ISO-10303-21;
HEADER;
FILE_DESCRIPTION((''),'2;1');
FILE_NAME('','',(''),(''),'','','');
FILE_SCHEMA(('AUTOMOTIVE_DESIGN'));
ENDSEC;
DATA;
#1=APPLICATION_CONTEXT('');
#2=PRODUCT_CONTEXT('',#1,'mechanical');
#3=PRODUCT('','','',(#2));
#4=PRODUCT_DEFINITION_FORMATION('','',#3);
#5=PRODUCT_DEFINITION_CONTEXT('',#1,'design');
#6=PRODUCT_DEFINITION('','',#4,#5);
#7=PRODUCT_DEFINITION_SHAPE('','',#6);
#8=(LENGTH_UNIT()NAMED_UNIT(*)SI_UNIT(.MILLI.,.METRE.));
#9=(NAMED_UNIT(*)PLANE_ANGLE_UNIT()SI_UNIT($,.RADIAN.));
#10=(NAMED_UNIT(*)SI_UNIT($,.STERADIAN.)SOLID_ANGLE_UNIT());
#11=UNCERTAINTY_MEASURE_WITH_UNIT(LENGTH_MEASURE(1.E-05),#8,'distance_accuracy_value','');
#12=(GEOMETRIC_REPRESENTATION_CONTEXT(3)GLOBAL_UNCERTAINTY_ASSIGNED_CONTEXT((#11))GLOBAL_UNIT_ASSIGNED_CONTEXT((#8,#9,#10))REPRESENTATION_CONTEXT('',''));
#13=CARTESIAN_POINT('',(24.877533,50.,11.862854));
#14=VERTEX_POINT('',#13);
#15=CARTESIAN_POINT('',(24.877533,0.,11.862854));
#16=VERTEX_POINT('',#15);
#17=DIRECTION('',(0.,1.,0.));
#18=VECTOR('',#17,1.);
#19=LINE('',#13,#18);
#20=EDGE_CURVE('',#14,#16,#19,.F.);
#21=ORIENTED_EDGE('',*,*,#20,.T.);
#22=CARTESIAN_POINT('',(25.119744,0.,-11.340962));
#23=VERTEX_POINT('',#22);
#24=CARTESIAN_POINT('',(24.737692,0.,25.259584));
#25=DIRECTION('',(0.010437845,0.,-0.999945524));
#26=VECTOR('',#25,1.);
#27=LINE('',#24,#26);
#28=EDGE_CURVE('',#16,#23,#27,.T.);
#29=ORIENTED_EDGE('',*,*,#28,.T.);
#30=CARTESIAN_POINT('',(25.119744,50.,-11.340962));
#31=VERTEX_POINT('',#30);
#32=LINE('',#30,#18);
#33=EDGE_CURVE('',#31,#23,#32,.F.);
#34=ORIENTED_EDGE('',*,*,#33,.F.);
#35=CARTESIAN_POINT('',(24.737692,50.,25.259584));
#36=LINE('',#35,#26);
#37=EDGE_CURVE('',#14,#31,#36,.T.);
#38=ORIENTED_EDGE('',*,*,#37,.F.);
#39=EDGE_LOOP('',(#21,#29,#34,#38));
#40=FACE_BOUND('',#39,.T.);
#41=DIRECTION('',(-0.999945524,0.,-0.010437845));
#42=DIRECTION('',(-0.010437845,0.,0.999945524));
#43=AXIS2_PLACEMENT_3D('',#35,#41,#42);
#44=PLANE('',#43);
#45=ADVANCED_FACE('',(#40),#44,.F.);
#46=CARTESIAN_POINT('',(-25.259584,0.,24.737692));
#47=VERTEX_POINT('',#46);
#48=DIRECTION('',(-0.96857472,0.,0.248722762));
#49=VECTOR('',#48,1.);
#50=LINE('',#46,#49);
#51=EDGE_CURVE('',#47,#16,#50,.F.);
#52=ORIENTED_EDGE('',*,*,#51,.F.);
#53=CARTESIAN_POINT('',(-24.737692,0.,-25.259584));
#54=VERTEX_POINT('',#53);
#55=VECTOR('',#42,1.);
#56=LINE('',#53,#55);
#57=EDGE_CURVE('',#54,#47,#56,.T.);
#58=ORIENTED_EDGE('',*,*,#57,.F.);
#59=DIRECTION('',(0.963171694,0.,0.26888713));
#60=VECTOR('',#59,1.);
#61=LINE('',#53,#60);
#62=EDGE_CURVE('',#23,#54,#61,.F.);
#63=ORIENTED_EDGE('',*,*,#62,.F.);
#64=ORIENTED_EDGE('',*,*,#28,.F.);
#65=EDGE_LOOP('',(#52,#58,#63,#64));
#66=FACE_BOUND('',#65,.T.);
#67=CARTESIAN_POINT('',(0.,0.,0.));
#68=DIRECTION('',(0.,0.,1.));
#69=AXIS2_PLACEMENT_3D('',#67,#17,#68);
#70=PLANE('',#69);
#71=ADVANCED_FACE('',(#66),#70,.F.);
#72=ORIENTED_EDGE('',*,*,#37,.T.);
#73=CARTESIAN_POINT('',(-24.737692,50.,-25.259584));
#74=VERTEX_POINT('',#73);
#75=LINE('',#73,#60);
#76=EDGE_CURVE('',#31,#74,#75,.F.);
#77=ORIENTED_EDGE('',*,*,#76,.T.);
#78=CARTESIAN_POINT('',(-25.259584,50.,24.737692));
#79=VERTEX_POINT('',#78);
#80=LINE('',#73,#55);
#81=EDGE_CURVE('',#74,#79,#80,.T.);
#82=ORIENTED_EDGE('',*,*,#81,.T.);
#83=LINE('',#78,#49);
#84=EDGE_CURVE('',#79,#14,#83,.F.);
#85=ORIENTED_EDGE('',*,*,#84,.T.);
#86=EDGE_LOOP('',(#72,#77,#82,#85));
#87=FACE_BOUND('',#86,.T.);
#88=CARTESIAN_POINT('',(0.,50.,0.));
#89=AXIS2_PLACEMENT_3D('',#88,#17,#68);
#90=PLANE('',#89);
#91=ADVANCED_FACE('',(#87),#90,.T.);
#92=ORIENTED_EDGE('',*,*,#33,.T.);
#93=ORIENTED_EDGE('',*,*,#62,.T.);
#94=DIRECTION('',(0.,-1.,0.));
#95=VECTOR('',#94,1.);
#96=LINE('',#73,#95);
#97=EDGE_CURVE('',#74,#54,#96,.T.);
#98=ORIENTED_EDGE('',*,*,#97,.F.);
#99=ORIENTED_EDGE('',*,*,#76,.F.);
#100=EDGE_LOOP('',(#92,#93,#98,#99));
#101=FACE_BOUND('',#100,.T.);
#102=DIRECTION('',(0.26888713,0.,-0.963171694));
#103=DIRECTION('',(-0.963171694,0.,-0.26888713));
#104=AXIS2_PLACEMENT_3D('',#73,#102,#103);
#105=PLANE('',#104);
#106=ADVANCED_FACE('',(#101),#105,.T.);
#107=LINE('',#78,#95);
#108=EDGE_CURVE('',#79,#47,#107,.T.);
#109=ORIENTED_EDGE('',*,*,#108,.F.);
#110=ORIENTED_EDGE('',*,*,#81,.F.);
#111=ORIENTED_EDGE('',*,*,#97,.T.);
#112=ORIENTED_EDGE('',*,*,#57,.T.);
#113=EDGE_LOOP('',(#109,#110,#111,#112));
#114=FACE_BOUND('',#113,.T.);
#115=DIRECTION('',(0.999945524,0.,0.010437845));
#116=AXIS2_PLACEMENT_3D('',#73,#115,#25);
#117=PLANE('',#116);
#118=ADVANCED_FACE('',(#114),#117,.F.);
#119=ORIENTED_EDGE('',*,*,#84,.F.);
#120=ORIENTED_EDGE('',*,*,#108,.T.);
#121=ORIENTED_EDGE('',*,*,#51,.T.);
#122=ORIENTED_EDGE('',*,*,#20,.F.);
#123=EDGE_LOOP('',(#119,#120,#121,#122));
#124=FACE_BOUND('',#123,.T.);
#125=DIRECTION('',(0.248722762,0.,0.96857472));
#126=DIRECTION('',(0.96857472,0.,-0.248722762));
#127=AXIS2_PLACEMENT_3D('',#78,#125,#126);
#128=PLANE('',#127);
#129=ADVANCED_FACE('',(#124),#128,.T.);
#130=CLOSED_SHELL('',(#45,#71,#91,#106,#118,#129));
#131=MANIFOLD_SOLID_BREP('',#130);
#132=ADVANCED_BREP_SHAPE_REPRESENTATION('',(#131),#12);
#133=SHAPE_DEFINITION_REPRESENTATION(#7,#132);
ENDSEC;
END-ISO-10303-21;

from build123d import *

# Parameters (mm, degrees)
BOSS_EXTRU_1_DEPTH = 50
D_POUILLE7_ANGLE   = 15
D_POUILLE8_ANGLE   = -15


with BuildPart() as part:
    # Esquisse1 → Boss.-Extru.1 (new body)
    with BuildSketch(Plane(origin=(0, 0, 0), x_dir=(1, 0, 0), z_dir=(0, 1, 0))):
        Polygon((25.259584223, 24.737691987), (-24.737691987, 25.259584223), (-25.259584223, -24.737691987), (24.737691987, -25.259584223), align=None)
    extrude(amount=BOSS_EXTRU_1_DEPTH)

    # Dépouille7
    d_pouille7_faces = [part.faces().sort_by_distance(p)[0] for p in [
        (0.260946118, 25, -24.998638105),
        (-0.260946118, 25, 24.998638105),
    ]]
    draft(d_pouille7_faces, Plane(origin=(-24.737691987, 50, -25.259584223), x_dir=(0.010437844720406831, 0, -0.9999455242149908), z_dir=(-0.9999455242149908, 0, -0.010437844720406831)), D_POUILLE7_ANGLE)

    # Dépouille8
    d_pouille8_faces = [part.faces().sort_by_distance(p)[0] for p in [
        (0.33086642, 25, -31.697002998),
        (-0.33086642, 25, 31.697002998),
    ]]
    draft(d_pouille8_faces, Plane(origin=(-24.737691987, 50, -25.259584223), x_dir=(0.010437844720406831, 0, -0.9999455242149908), z_dir=(-0.9999455242149908, 0, -0.010437844720406831)), D_POUILLE8_ANGLE)


solid = part.part
